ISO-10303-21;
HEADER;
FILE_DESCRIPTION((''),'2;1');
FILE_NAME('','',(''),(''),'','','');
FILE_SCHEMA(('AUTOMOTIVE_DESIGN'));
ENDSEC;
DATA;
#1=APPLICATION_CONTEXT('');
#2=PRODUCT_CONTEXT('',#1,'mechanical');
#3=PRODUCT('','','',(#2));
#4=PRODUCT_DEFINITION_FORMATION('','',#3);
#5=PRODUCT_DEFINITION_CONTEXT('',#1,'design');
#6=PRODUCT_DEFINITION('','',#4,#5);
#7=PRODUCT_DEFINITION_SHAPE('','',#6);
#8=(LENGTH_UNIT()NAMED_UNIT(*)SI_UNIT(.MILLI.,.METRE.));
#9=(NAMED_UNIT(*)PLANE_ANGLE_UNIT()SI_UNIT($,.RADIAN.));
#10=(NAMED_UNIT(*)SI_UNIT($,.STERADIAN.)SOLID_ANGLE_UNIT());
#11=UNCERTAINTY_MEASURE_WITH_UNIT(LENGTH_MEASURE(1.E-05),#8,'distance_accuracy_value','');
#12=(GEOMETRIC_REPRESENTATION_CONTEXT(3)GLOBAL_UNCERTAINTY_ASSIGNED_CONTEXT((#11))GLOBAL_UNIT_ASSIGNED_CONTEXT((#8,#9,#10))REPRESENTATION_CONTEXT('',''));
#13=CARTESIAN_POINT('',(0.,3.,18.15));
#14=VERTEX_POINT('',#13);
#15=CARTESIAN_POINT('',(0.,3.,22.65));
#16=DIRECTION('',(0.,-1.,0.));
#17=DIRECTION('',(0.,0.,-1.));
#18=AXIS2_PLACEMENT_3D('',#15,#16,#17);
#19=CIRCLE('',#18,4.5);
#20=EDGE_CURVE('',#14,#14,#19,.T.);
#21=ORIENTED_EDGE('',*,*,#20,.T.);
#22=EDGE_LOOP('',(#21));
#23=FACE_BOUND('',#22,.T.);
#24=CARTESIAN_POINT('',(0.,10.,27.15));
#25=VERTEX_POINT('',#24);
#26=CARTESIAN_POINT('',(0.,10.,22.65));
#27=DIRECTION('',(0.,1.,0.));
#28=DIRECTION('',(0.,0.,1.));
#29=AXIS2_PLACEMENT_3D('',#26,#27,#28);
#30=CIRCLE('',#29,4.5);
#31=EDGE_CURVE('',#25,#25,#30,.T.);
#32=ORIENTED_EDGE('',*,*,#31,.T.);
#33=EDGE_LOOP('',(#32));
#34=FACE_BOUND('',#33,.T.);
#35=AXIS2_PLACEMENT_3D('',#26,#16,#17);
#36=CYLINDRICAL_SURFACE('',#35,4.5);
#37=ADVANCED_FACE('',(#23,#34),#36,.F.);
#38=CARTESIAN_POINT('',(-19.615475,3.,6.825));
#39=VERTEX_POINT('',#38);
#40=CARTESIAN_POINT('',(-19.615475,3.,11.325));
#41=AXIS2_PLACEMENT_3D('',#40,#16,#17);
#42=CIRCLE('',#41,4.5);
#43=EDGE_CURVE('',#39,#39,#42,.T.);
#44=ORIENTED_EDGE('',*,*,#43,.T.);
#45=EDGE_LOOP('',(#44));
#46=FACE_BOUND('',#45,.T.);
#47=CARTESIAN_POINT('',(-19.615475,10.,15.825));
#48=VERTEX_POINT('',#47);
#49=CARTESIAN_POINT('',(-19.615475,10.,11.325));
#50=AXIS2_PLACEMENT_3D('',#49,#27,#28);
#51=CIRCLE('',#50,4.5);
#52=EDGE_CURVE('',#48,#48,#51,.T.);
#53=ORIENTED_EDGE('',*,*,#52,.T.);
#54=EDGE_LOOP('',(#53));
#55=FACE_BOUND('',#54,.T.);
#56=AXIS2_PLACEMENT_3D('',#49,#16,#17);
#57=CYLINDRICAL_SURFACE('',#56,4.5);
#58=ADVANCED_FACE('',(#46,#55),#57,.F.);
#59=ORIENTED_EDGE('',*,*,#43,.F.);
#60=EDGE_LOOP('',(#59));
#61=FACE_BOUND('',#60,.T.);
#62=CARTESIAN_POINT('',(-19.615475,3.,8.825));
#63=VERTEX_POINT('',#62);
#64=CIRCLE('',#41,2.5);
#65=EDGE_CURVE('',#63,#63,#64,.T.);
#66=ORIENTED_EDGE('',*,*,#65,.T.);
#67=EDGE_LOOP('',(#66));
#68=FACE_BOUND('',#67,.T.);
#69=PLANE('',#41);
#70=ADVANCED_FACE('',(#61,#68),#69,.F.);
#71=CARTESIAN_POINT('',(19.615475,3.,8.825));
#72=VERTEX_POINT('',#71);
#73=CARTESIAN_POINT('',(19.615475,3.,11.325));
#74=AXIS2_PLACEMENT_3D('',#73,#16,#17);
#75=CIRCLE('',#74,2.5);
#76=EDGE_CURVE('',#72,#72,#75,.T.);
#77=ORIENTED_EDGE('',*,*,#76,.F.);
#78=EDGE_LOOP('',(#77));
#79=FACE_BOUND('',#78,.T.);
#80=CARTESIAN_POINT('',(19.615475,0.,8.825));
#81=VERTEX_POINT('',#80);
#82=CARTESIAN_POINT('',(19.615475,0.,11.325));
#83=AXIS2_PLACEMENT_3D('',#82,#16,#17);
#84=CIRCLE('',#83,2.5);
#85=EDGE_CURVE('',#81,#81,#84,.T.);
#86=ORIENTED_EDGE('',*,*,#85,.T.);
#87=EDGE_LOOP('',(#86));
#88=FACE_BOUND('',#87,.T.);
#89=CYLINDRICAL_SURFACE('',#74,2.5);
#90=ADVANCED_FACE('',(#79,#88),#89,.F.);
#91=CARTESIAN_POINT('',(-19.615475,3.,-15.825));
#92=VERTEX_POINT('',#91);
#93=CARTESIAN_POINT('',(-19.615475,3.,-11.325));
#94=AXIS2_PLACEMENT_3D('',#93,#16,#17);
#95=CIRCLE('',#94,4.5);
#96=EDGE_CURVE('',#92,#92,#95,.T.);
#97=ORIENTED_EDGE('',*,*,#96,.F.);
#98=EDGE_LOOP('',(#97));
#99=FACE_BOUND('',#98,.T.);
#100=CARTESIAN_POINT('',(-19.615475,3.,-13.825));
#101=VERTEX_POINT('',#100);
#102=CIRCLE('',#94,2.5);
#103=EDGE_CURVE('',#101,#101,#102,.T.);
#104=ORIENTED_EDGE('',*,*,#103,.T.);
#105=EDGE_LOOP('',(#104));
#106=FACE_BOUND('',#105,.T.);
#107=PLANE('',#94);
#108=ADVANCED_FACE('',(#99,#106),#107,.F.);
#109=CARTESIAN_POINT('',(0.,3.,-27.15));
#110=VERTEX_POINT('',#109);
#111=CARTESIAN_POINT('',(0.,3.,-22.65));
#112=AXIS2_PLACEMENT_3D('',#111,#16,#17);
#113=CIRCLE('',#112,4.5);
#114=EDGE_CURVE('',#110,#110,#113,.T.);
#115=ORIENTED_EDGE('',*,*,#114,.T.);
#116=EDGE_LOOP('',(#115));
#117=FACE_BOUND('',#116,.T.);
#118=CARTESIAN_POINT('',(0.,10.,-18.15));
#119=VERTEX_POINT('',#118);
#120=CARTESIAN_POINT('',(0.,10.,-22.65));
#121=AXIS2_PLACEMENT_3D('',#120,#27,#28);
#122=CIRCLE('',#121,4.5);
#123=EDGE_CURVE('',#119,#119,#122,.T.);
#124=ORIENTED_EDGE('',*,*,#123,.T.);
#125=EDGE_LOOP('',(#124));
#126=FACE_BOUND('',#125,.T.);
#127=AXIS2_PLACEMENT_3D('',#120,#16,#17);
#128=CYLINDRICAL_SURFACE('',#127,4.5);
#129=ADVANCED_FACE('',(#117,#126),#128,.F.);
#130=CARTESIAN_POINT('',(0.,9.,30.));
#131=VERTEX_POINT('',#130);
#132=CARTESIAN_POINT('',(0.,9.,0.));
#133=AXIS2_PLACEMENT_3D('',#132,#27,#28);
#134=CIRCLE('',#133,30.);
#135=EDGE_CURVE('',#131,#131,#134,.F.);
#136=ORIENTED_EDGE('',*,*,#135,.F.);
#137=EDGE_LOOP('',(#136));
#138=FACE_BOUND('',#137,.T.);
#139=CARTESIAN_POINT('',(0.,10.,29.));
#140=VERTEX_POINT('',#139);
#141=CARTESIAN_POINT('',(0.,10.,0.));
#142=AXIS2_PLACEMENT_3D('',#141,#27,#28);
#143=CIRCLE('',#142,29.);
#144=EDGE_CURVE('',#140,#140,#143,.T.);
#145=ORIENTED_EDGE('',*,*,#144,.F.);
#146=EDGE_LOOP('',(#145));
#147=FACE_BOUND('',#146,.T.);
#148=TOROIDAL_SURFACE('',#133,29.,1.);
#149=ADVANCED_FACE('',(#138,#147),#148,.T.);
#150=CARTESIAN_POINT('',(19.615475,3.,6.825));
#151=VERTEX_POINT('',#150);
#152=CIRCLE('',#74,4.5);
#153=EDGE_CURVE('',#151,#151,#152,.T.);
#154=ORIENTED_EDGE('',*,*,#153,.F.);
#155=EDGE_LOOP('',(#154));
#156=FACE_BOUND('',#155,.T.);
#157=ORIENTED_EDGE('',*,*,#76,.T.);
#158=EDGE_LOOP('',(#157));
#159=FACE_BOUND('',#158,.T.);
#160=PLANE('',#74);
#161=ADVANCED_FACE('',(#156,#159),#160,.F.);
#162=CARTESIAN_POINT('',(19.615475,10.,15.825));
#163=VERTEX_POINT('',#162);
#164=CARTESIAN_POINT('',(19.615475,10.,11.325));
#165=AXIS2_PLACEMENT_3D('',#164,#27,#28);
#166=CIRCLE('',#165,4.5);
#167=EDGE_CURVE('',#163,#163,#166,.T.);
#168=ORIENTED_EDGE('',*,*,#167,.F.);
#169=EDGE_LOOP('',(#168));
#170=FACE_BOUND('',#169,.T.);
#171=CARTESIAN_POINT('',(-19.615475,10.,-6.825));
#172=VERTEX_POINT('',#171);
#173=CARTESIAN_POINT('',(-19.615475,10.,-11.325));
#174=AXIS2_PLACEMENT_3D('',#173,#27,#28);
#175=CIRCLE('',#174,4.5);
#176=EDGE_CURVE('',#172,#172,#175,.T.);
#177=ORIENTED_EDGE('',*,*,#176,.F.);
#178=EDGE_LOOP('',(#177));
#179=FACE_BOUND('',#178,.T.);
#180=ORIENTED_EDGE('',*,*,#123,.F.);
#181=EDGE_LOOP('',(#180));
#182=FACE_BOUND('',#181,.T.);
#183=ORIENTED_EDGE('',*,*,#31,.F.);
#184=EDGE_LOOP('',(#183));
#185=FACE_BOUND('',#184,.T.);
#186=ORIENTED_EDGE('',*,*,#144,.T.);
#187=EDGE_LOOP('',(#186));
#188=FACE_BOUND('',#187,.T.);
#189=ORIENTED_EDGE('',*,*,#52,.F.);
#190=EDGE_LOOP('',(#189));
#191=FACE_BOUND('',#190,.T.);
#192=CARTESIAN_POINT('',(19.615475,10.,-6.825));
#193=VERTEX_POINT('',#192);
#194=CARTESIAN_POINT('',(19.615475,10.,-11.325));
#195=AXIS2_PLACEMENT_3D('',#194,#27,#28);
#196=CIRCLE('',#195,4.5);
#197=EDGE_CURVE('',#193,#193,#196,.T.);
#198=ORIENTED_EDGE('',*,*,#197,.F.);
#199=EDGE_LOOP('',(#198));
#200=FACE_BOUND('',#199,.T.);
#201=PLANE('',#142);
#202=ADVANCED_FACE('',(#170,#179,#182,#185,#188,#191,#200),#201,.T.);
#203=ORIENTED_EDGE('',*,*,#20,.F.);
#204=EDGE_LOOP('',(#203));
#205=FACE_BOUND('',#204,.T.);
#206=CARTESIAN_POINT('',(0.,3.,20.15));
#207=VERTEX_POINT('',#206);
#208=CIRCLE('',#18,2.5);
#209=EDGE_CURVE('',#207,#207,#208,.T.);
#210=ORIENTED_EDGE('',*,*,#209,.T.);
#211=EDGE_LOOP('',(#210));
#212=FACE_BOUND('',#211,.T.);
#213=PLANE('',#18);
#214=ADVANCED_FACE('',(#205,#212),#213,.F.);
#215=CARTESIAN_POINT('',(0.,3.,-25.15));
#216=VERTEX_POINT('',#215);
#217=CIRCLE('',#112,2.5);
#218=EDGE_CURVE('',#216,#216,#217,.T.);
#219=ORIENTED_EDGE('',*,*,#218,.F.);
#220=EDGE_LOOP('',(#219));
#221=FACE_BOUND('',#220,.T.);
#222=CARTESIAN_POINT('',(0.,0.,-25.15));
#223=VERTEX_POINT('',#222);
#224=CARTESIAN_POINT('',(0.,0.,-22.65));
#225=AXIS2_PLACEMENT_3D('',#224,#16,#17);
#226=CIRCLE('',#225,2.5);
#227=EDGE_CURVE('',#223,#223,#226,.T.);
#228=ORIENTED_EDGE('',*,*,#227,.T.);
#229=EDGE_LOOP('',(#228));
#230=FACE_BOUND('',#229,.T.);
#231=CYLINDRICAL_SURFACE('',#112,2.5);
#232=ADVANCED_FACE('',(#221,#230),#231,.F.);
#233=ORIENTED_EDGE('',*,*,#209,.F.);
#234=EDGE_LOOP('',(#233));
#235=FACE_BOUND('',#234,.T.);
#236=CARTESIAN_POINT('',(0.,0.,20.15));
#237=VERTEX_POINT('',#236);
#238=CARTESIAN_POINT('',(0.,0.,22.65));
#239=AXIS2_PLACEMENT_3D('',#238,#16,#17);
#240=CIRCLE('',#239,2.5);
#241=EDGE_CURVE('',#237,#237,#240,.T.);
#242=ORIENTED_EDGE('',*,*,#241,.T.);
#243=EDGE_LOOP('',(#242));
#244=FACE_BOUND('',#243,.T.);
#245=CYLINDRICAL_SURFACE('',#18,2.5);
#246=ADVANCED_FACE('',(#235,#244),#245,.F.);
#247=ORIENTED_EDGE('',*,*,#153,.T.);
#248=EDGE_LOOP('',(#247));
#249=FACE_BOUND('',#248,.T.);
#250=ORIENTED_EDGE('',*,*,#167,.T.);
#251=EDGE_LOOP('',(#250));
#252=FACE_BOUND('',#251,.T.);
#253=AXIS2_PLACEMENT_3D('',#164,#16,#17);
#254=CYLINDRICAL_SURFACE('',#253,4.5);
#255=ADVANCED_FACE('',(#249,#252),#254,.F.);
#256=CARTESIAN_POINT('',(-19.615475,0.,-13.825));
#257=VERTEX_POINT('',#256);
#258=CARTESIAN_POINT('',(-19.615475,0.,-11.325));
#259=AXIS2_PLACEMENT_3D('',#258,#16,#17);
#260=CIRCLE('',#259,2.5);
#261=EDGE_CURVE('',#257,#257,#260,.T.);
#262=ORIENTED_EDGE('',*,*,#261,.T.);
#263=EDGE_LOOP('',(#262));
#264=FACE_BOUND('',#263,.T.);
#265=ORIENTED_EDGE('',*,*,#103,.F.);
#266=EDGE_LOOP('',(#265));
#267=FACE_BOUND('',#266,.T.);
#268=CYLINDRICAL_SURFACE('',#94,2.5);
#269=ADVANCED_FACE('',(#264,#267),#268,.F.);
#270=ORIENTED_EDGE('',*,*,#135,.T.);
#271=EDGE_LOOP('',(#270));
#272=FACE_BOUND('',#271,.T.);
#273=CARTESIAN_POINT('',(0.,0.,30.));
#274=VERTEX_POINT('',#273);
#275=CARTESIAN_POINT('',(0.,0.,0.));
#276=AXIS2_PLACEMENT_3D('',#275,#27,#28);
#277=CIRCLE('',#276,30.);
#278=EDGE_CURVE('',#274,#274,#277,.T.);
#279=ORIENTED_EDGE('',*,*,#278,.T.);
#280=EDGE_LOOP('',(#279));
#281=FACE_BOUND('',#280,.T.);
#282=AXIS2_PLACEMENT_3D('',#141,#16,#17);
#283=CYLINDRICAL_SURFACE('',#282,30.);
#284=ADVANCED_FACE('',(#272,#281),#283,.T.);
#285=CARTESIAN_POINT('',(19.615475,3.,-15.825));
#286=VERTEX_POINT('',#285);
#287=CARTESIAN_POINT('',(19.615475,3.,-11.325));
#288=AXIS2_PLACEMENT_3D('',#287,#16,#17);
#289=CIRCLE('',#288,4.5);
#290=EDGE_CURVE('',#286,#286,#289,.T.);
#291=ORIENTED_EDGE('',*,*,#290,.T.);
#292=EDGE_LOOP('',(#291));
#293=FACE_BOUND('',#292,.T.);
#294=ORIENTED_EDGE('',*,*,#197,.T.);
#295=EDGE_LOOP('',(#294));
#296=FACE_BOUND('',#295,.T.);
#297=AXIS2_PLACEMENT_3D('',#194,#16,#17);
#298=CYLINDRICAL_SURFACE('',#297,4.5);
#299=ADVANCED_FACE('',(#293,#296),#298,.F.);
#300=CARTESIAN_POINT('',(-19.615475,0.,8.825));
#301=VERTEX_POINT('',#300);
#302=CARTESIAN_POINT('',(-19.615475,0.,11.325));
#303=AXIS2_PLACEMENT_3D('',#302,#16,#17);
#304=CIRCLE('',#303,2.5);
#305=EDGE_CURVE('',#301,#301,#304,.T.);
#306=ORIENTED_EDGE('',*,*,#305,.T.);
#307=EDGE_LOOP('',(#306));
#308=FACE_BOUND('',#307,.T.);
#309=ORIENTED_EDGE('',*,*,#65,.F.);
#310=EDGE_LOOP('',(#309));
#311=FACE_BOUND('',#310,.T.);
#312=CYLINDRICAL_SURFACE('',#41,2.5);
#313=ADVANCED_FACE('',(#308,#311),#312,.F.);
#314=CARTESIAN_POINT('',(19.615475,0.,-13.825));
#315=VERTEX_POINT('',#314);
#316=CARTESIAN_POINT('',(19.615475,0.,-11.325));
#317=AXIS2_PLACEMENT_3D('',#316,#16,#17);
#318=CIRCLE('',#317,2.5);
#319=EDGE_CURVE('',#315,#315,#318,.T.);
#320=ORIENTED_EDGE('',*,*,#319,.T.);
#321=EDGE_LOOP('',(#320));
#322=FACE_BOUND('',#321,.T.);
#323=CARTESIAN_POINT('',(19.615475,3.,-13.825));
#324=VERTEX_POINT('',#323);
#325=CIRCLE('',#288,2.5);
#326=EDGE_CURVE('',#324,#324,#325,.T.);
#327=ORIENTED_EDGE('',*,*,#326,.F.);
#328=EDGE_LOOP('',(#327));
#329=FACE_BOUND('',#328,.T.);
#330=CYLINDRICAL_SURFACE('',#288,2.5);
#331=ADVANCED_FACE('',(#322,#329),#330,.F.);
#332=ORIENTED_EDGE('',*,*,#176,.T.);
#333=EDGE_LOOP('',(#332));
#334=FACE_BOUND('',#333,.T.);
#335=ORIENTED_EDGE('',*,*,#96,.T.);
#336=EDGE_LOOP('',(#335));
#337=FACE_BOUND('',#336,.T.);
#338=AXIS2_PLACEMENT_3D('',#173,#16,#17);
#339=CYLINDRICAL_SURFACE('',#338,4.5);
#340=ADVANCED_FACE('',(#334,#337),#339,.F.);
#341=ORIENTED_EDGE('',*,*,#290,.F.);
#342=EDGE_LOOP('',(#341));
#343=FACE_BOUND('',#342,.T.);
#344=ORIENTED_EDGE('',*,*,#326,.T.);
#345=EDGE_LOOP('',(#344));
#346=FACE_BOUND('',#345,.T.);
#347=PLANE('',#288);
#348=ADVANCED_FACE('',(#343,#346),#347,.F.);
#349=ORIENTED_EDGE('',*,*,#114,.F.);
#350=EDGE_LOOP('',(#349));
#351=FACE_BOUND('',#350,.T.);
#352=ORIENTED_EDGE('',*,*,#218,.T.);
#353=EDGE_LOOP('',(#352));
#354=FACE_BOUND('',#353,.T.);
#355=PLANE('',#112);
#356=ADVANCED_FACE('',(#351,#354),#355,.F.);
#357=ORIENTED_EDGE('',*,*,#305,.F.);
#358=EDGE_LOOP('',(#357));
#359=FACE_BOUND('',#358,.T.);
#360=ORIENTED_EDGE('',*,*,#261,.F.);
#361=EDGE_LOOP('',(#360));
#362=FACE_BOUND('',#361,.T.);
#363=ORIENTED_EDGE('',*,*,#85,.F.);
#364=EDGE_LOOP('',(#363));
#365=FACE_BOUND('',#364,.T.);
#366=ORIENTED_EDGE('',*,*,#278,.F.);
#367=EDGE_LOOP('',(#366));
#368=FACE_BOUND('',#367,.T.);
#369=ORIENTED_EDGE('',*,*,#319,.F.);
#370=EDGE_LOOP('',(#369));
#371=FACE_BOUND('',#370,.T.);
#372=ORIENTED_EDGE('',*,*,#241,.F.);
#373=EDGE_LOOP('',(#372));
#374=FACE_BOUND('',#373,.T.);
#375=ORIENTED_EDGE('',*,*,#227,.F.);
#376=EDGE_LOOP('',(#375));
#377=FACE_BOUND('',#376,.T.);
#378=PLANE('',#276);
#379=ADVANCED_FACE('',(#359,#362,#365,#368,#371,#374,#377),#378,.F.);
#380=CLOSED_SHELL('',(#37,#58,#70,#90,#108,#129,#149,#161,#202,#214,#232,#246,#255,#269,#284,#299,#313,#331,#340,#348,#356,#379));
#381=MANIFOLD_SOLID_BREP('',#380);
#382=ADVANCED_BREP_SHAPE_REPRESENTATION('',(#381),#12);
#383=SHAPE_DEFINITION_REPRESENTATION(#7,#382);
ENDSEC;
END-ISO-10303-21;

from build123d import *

# Parameters (mm, degrees)
SKETCH_1_R      = 30
SKETCH_1_R_2    = 4.5
EXTRUDE_2_DEPTH = 10
SKETCH_3_R      = 4.5
SKETCH_3_R_2    = 2.5
EXTRUDE_3_DEPTH = 3
FILLET_1_R      = 1


with BuildPart() as part:
    # ｽｹｯﾁ1 → ﾎﾞｽ - 押し出し2 (new body)
    with BuildSketch(Plane(origin=(0, 0, 0), x_dir=(1, 0, 0), z_dir=(0, 1, 0))):
        Circle(SKETCH_1_R)
        with Locations((0, -22.65)):
            Circle(SKETCH_1_R_2, mode=Mode.SUBTRACT)
        with Locations((-19.615475396, -11.325)):
            Circle(SKETCH_1_R_2, mode=Mode.SUBTRACT)
        with Locations((-19.615475396, 11.325)):
            Circle(SKETCH_1_R_2, mode=Mode.SUBTRACT)
        with Locations((0, 22.65)):
            Circle(SKETCH_1_R_2, mode=Mode.SUBTRACT)
        with Locations((19.615475396, 11.325)):
            Circle(SKETCH_1_R_2, mode=Mode.SUBTRACT)
        with Locations((19.615475396, -11.325)):
            Circle(SKETCH_1_R_2, mode=Mode.SUBTRACT)
    extrude(amount=EXTRUDE_2_DEPTH)

    # ｽｹｯﾁ3 → ﾎﾞｽ - 押し出し3 (add)
    with BuildSketch(Plane.XZ):
        with Locations((-19.615475396, -11.325)):
            Circle(SKETCH_3_R)
        with Locations((-19.615475396, -11.325)):
            Circle(SKETCH_3_R_2, mode=Mode.SUBTRACT)
        with Locations((-19.615475396, 11.325)):
            Circle(SKETCH_3_R)
        with Locations((-19.615475396, 11.325)):
            Circle(SKETCH_3_R_2, mode=Mode.SUBTRACT)
        with Locations((0, 22.65)):
            Circle(SKETCH_3_R)
        with Locations((0, 22.65)):
            Circle(SKETCH_3_R_2, mode=Mode.SUBTRACT)
        with Locations((19.615475396, 11.325)):
            Circle(SKETCH_3_R)
        with Locations((19.615475396, 11.325)):
            Circle(SKETCH_3_R_2, mode=Mode.SUBTRACT)
        with Locations((19.615475396, -11.325)):
            Circle(SKETCH_3_R)
        with Locations((19.615475396, -11.325)):
            Circle(SKETCH_3_R_2, mode=Mode.SUBTRACT)
        with Locations((0, -22.65)):
            Circle(SKETCH_3_R)
        with Locations((0, -22.65)):
            Circle(SKETCH_3_R_2, mode=Mode.SUBTRACT)
    extrude(amount=-EXTRUDE_3_DEPTH)

    # ﾌｨﾚｯﾄ1
    fillet_1_edges = [part.edges().sort_by_distance(p)[0] for p in [
        (-30, 10, 0),
    ]]
    fillet(fillet_1_edges, radius=FILLET_1_R)


solid = part.part
